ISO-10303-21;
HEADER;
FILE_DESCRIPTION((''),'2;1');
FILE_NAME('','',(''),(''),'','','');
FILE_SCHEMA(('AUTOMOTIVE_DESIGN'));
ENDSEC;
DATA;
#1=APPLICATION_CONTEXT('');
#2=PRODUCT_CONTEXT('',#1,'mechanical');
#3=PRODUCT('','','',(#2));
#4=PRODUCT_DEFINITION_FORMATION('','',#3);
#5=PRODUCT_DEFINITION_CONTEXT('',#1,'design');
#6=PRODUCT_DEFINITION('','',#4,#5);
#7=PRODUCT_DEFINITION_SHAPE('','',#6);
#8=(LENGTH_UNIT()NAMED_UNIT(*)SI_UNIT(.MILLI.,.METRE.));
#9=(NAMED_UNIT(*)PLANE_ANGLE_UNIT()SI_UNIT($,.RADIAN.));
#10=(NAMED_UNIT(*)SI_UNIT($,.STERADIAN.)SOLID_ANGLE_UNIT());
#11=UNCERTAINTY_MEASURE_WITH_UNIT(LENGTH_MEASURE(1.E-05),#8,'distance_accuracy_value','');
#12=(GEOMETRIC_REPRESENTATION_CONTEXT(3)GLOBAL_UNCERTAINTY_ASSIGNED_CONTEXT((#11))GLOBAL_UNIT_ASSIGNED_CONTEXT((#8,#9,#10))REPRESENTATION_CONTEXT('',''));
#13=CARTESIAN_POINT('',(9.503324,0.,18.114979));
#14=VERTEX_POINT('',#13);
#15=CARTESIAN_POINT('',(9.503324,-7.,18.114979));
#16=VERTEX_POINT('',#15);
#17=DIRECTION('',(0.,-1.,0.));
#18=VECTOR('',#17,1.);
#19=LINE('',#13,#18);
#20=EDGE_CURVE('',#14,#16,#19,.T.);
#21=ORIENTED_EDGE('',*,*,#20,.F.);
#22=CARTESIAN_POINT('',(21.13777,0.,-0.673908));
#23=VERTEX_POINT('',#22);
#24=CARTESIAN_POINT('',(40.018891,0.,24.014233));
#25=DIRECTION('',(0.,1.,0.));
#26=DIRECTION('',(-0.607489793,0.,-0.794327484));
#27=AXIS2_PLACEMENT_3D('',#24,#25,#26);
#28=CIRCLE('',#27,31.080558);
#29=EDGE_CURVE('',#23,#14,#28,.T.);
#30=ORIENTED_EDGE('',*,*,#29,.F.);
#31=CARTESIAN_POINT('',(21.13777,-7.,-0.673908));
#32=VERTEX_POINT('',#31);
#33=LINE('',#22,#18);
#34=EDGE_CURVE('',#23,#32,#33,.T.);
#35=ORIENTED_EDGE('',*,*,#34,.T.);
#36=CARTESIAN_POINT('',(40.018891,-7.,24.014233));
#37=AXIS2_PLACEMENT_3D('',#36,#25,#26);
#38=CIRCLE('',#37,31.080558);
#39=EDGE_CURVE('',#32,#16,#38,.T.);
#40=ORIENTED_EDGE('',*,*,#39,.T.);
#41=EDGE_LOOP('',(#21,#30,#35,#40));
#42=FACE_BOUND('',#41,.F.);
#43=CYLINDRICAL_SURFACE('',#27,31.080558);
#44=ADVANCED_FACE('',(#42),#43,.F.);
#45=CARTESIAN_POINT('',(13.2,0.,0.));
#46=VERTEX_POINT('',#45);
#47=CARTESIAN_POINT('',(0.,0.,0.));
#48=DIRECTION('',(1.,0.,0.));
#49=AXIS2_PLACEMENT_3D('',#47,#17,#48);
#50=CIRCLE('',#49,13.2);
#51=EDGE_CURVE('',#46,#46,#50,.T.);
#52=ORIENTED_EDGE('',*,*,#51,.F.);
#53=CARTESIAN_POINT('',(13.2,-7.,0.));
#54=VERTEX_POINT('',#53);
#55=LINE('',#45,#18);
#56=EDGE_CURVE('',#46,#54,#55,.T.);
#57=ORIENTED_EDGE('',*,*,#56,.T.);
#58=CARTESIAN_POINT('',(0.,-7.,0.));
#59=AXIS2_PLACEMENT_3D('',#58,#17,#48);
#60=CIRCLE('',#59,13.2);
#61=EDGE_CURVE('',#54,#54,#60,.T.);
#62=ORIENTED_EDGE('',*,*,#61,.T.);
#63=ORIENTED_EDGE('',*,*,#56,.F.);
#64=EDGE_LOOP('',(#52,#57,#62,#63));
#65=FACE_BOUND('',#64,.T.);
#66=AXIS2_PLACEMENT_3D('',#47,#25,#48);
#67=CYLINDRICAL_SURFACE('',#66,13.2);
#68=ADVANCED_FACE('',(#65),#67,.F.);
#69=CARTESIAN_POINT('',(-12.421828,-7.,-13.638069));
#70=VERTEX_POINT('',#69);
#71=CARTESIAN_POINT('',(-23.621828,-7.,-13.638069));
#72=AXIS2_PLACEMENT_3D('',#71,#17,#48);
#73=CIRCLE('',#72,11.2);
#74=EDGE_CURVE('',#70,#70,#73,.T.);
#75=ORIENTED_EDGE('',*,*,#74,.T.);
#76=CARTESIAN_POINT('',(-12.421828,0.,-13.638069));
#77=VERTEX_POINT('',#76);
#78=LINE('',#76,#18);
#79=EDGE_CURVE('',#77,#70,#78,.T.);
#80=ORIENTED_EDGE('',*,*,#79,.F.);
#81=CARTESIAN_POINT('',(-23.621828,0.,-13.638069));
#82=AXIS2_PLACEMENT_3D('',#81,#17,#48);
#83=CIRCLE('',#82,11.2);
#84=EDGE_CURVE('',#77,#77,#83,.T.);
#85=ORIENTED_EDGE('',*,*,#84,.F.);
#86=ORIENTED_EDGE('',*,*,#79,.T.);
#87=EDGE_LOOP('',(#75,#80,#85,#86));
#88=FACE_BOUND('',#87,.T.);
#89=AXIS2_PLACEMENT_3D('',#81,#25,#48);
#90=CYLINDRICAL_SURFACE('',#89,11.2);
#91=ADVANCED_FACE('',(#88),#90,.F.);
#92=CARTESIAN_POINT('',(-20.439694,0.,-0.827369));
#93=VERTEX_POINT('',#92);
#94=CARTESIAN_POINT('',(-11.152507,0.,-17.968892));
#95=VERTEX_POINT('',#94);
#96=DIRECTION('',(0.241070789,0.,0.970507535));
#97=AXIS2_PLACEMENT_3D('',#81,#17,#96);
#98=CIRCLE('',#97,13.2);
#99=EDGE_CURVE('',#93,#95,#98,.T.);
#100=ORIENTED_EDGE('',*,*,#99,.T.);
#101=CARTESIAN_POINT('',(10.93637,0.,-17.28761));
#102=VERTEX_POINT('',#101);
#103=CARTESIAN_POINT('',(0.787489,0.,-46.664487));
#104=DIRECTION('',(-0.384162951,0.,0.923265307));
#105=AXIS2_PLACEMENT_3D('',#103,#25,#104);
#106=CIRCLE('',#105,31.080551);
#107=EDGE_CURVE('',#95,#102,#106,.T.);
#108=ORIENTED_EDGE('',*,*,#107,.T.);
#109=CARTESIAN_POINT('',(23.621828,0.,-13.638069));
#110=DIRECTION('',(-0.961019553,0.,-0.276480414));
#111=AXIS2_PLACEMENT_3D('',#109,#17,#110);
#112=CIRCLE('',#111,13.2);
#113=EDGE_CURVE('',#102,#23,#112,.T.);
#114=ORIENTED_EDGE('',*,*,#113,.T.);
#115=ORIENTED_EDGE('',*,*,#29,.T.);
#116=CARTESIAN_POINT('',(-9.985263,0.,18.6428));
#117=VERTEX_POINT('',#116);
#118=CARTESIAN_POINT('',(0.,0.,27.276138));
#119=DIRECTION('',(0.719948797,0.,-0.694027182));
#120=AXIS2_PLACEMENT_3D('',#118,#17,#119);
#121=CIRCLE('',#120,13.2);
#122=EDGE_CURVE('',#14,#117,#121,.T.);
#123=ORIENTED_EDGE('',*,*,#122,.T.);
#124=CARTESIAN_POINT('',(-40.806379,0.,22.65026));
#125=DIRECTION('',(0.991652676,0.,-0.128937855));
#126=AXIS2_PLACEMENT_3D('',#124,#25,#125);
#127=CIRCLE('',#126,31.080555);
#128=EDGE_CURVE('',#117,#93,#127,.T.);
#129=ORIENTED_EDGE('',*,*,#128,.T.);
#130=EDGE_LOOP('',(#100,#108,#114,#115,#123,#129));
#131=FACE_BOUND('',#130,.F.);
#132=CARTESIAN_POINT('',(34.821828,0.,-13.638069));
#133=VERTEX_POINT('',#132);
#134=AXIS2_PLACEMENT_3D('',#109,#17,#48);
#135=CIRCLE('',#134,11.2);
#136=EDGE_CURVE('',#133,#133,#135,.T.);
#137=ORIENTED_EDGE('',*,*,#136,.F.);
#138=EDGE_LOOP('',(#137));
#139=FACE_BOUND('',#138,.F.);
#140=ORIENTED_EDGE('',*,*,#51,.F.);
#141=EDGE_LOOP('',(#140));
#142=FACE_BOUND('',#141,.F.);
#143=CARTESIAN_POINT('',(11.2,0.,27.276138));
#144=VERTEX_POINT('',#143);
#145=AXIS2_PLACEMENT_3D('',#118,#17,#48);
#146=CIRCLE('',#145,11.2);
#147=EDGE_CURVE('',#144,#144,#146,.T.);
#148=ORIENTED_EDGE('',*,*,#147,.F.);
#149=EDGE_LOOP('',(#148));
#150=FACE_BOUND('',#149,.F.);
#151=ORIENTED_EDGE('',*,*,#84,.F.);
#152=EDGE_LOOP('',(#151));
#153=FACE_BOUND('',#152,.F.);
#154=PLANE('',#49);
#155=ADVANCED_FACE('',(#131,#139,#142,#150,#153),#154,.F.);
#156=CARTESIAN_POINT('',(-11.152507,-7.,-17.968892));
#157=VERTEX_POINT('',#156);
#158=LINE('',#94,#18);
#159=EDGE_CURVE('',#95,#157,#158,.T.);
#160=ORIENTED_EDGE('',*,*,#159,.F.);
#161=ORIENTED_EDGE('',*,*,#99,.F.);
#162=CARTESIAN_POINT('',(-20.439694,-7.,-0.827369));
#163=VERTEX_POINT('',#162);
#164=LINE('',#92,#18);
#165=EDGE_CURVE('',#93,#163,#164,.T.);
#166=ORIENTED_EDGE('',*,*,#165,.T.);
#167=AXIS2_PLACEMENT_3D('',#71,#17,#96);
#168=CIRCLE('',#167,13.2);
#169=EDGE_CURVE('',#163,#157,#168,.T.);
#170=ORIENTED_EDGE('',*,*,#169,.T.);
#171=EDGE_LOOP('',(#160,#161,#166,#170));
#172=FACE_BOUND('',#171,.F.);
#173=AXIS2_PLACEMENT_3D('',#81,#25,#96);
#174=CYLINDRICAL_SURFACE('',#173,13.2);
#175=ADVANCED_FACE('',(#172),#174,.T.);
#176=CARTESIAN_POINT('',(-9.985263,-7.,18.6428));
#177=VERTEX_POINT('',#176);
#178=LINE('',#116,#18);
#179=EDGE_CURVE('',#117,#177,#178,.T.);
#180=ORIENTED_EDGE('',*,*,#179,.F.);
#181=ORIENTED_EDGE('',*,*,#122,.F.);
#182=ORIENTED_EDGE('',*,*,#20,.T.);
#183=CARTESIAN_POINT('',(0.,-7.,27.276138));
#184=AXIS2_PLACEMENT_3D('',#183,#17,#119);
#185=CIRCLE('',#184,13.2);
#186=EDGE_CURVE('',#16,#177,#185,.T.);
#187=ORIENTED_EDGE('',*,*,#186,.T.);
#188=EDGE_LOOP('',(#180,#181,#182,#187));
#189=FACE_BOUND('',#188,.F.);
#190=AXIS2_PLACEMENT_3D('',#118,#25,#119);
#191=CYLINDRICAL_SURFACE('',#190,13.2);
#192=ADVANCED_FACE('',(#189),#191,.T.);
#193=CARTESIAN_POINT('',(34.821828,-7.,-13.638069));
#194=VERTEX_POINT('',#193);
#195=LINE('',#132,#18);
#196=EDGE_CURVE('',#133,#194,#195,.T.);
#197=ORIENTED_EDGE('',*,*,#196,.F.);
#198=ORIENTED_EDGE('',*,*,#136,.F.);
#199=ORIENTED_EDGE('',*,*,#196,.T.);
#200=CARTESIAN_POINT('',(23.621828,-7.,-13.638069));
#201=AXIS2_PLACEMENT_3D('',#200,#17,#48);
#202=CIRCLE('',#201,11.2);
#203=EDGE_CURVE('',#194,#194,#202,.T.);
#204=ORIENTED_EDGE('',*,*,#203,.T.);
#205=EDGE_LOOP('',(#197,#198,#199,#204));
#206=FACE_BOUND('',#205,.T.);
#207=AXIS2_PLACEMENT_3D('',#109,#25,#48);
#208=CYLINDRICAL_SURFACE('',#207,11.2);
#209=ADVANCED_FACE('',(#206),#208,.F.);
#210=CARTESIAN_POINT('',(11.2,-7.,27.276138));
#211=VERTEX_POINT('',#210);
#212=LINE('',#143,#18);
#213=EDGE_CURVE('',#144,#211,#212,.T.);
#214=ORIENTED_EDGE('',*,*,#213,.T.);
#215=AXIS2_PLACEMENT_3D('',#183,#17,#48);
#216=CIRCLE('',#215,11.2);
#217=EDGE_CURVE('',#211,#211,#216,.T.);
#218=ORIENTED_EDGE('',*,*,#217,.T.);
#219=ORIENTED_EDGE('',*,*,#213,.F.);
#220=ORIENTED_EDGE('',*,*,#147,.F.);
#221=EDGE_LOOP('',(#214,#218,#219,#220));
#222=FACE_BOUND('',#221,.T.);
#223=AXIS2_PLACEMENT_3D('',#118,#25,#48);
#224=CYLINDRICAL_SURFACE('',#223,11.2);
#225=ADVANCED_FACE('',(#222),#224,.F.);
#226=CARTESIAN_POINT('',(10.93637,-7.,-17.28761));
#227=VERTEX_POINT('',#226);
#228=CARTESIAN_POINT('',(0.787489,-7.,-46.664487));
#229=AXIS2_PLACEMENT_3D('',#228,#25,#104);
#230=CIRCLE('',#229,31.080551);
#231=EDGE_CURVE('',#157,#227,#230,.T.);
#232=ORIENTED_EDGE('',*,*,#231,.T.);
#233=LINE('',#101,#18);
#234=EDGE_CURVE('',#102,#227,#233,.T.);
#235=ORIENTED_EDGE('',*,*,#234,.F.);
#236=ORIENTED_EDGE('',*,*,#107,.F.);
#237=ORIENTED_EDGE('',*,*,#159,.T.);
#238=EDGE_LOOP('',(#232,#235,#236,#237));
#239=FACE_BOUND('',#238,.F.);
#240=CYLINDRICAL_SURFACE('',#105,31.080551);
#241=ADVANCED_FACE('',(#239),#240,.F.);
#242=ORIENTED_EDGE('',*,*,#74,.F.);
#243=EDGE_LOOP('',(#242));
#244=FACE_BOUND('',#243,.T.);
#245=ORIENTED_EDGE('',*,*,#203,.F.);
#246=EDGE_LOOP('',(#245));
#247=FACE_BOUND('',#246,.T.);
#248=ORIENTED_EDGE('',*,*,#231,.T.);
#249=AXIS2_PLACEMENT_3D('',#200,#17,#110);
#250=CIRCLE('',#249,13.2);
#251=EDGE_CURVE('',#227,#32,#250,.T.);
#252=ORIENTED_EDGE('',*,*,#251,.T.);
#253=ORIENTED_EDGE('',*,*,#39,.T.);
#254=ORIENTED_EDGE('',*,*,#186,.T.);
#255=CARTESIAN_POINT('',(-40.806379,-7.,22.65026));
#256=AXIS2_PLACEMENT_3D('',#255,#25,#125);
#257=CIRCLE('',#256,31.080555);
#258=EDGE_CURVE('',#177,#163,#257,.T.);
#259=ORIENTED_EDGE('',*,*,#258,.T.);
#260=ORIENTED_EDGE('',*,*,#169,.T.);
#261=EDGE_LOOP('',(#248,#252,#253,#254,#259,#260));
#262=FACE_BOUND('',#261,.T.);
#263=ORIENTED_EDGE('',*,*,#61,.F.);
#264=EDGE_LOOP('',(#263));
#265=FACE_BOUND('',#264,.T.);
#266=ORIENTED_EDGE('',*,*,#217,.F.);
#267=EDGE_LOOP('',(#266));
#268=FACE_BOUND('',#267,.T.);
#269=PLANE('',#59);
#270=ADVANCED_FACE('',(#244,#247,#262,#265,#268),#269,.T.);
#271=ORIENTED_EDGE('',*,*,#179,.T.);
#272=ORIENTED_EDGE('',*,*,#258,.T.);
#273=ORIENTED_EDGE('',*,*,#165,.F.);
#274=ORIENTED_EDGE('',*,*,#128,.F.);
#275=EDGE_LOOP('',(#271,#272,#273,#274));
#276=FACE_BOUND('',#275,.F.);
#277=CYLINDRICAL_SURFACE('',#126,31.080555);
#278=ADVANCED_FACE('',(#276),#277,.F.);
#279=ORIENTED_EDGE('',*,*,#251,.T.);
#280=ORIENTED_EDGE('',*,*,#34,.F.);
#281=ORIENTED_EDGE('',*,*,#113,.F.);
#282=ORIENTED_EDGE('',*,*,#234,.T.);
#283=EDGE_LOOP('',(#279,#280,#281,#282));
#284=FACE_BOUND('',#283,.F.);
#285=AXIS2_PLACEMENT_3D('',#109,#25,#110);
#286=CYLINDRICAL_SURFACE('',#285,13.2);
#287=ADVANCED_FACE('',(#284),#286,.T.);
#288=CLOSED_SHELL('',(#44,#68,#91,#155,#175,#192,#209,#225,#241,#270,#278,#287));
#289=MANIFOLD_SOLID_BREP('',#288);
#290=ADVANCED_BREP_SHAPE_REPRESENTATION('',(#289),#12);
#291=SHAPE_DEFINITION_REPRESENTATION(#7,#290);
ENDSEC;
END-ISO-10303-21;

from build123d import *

# Parameters (mm, degrees)
F0_R     = 11.2
F0_R_2   = 13.2
F1_DEPTH = 7


with BuildPart() as f1:
    # F0 (on Front) → F1 (new body)
    with BuildSketch(Plane.XZ):
        with BuildLine():
            ThreePointArc((21.13777, -0.673908), (13.59421, 7.651554), (9.503324, 18.114979))
            ThreePointArc((9.503324, 18.114979), (0.357373, 40.471299), (-9.985263, 18.6428))
            ThreePointArc((-9.985263, 18.6428), (-13.423545, 7.947154), (-20.439694, -0.827369))
            ThreePointArc((-20.439694, -0.827369), (-35.22786, -19.926156), (-11.152507, -17.968892))
            ThreePointArc((-11.152507, -17.968892), (-0.170665, -15.598708), (10.93637, -17.28761))
            ThreePointArc((10.93637, -17.28761), (34.870487, -20.545143), (21.13777, -0.673908))
        make_face()
        with Locations((-23.621828, -13.638069)):
            Circle(F0_R, mode=Mode.SUBTRACT)
        with Locations((23.621828, -13.638069)):
            Circle(F0_R, mode=Mode.SUBTRACT)
        Circle(F0_R_2, mode=Mode.SUBTRACT)
        with Locations((0, 27.276138)):
            Circle(F0_R, mode=Mode.SUBTRACT)
    extrude(amount=F1_DEPTH)


solid = f1.part
